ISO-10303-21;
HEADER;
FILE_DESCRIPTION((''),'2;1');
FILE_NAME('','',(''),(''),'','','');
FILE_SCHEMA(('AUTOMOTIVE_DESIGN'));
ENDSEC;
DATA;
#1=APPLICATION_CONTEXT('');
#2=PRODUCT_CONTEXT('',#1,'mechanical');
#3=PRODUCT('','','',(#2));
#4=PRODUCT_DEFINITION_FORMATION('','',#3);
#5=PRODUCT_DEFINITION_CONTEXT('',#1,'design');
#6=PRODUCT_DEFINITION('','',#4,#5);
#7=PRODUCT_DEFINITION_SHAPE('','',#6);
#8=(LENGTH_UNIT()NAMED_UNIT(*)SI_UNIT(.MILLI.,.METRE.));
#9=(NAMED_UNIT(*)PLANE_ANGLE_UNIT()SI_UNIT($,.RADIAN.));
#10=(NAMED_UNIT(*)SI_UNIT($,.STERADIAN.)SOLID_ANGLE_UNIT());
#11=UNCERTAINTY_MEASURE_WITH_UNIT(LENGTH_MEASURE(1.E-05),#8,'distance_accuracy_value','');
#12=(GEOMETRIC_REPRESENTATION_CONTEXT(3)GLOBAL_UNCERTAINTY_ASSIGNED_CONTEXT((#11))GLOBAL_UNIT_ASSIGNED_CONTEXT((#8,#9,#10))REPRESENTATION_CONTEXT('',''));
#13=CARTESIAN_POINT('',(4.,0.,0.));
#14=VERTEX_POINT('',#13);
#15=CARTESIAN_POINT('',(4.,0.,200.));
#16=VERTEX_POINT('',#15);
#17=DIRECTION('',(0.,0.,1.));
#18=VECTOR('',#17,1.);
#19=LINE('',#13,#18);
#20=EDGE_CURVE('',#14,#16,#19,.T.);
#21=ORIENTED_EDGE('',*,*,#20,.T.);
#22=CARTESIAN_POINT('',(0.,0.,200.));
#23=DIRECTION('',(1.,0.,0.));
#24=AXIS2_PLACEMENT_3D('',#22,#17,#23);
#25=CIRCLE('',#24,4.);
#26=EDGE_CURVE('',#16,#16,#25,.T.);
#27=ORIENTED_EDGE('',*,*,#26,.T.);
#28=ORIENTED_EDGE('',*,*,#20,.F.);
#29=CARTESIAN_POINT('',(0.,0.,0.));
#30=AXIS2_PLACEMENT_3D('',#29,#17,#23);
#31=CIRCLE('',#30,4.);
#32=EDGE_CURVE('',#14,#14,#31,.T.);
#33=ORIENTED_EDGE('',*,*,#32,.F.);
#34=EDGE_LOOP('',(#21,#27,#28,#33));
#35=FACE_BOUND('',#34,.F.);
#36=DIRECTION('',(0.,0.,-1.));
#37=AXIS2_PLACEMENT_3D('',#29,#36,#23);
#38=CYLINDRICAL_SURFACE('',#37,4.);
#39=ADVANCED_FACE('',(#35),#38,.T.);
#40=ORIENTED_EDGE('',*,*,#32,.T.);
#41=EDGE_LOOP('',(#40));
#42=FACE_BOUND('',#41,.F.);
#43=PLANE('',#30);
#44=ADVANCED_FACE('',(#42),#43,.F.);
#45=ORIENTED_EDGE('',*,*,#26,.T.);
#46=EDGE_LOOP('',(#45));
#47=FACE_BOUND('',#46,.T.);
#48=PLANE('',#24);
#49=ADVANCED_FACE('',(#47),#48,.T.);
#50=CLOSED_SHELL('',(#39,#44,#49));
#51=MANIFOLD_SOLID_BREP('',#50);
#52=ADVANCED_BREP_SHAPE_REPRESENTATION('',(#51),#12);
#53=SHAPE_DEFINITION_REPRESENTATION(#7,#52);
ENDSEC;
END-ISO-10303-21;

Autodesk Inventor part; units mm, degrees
ref_plane "YZ Plane" through (0, 0, 0) normal (1, 0, 0) x (0, 1, 0)
ref_plane "XZ Plane" through (0, 0, 0) normal (0, 1, 0) x (-1, 0, 0)
ref_plane "XY Plane" through (0, 0, 0) normal (0, 0, 1) x (1, 0, 0)
sketch "Sketch1" plane through (0, 0, 0) normal (0, 0, 1) x (1, 0, 0)
  circle A0 centre (0, 0) radius 4
  dimension "d0" = 8
extrude "Extrusion1" add sketch "Sketch1" along normal blind 200
properties part number "Ty phi 8 dai 200"
